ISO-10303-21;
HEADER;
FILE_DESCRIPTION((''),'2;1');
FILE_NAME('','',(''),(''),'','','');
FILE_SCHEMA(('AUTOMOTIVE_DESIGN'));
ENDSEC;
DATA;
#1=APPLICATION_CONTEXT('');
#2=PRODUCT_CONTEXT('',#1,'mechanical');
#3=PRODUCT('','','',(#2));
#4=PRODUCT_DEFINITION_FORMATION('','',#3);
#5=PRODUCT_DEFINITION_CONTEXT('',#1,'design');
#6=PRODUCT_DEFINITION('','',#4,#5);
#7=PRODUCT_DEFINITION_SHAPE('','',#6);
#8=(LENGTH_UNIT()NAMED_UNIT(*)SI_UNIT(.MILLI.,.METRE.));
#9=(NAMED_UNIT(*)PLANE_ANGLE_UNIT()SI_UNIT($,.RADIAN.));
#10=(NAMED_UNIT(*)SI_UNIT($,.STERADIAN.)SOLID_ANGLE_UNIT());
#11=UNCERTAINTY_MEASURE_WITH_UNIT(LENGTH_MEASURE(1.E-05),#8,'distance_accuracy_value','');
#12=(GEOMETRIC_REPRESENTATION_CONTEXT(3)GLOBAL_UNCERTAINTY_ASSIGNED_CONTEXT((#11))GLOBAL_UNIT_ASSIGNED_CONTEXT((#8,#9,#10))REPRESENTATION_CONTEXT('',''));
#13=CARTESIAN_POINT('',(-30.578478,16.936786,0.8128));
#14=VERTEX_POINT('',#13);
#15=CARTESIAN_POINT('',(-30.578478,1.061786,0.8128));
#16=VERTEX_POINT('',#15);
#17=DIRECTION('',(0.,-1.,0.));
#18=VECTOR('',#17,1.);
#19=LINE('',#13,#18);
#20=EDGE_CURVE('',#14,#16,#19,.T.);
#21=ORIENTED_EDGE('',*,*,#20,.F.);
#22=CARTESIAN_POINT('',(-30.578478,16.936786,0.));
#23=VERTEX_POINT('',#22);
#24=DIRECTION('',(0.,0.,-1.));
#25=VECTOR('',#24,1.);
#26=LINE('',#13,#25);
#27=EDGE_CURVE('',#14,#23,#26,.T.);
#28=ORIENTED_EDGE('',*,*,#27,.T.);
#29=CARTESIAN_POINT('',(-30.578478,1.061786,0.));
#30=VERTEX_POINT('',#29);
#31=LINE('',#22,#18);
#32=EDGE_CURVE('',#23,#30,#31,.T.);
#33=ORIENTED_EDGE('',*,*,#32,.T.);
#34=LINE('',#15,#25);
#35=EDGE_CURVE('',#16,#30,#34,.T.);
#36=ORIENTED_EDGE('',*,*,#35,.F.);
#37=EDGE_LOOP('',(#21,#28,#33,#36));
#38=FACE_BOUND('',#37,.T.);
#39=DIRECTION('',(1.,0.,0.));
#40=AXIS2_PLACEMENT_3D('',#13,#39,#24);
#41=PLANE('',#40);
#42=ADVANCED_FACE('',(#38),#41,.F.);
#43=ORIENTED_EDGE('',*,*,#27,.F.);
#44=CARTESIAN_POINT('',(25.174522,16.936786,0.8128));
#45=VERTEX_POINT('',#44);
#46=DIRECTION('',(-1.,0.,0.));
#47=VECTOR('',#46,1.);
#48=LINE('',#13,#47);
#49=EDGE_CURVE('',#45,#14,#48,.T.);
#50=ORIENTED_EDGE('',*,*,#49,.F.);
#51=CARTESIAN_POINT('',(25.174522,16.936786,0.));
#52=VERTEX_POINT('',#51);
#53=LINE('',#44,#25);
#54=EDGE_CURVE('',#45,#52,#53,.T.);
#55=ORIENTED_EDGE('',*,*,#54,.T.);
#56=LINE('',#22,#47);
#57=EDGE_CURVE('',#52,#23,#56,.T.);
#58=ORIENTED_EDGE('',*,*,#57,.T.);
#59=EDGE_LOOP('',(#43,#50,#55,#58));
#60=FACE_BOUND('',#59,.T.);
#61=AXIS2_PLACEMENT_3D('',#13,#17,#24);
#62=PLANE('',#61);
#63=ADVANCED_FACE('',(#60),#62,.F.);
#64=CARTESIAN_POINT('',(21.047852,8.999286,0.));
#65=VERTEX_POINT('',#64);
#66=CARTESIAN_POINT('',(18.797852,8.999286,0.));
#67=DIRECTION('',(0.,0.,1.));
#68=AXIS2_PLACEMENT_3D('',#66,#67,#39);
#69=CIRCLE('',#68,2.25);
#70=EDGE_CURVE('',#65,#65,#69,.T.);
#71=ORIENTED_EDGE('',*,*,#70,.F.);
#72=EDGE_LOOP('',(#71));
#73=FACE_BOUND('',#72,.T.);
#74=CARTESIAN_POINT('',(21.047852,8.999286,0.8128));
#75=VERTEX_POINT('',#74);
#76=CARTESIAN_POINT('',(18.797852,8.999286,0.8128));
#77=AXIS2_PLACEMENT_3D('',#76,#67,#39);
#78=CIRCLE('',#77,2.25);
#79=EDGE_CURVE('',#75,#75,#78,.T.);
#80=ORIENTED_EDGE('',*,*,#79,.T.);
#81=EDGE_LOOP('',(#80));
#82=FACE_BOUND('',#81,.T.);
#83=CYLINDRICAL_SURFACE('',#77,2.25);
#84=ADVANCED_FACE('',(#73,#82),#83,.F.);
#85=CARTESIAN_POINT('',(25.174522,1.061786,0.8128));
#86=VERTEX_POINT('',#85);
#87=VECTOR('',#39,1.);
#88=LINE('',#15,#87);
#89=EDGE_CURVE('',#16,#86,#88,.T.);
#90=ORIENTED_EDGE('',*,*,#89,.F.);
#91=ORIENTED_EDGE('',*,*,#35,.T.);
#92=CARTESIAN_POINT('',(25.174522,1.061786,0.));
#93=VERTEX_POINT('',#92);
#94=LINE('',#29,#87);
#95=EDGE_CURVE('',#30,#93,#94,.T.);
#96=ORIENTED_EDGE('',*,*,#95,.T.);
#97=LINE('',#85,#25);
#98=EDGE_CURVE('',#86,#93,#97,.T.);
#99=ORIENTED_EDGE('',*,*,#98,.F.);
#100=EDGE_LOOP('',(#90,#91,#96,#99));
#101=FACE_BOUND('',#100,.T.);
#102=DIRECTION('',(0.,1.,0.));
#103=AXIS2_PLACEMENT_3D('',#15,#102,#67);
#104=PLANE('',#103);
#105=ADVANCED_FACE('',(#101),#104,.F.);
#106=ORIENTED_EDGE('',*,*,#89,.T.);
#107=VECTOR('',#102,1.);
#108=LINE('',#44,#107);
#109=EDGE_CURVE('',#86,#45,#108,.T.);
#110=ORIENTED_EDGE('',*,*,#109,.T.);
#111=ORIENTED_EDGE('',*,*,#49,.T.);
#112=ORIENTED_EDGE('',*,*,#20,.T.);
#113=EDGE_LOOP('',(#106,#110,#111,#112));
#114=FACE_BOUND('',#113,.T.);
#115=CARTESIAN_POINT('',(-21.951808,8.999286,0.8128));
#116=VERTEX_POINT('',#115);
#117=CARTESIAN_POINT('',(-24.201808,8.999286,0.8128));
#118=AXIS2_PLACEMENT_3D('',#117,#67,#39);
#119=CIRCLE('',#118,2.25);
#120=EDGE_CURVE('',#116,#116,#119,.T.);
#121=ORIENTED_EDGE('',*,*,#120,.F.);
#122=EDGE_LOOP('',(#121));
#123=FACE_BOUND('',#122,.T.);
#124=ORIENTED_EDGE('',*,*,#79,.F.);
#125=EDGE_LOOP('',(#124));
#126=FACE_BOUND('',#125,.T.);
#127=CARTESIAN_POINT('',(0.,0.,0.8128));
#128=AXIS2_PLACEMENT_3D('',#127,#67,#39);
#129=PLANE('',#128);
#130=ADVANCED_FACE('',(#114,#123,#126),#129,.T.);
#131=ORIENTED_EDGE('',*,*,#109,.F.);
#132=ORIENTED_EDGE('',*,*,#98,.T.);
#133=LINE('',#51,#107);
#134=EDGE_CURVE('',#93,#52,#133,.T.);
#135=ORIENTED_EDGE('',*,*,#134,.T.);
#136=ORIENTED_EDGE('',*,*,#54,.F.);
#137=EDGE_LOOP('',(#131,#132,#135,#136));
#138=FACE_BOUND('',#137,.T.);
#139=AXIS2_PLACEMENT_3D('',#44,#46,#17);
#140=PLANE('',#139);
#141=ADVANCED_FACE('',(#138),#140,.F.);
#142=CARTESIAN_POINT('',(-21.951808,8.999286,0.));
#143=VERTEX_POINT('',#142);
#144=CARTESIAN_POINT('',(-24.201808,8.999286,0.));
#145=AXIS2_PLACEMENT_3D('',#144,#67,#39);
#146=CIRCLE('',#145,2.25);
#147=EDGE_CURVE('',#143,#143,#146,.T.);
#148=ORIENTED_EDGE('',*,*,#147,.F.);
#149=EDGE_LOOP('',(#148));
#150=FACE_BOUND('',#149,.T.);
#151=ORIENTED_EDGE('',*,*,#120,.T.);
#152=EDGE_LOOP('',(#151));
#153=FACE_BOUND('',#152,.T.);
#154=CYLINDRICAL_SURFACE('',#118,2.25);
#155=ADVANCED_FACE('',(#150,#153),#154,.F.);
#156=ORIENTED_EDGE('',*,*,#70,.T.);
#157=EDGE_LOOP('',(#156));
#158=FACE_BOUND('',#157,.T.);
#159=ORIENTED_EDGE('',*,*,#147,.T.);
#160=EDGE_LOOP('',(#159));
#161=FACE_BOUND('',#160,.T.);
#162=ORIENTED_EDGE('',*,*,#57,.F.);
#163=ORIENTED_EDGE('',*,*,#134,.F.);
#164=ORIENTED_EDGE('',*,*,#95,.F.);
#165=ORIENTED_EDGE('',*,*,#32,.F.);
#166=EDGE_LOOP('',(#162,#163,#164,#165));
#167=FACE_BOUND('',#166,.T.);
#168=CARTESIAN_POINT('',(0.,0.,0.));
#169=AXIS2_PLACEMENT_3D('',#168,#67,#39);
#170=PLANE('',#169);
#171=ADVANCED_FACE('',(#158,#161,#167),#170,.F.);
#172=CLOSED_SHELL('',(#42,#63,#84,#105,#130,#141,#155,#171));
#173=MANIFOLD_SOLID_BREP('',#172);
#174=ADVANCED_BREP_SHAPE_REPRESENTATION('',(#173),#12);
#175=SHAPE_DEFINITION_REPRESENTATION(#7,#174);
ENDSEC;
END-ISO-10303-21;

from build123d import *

# Parameters (mm, degrees)
SKETCH2_W            = 55.753
SKETCH2_H            = 15.875
BOSS_EXTRUDE1_DEPTH  = 0.8128
M4_CLEARANCE_HOLE1_D = 4.5


with BuildPart() as part:
    # Sketch2 → Boss-Extrude1 (new body)
    with BuildSketch(Plane.XY):
        with Locations((-2.701977541, 8.999286052)):
            Rectangle(SKETCH2_W, SKETCH2_H)
    extrude(amount=BOSS_EXTRUDE1_DEPTH)

    # M4 Clearance Hole1 (through all)
    with Locations(Plane.XY.offset(0.8128)):
        with Locations((-24.201807541, 8.999286052), (18.797852459, 8.999286052)):
            Hole(M4_CLEARANCE_HOLE1_D / 2)


solid = part.part
